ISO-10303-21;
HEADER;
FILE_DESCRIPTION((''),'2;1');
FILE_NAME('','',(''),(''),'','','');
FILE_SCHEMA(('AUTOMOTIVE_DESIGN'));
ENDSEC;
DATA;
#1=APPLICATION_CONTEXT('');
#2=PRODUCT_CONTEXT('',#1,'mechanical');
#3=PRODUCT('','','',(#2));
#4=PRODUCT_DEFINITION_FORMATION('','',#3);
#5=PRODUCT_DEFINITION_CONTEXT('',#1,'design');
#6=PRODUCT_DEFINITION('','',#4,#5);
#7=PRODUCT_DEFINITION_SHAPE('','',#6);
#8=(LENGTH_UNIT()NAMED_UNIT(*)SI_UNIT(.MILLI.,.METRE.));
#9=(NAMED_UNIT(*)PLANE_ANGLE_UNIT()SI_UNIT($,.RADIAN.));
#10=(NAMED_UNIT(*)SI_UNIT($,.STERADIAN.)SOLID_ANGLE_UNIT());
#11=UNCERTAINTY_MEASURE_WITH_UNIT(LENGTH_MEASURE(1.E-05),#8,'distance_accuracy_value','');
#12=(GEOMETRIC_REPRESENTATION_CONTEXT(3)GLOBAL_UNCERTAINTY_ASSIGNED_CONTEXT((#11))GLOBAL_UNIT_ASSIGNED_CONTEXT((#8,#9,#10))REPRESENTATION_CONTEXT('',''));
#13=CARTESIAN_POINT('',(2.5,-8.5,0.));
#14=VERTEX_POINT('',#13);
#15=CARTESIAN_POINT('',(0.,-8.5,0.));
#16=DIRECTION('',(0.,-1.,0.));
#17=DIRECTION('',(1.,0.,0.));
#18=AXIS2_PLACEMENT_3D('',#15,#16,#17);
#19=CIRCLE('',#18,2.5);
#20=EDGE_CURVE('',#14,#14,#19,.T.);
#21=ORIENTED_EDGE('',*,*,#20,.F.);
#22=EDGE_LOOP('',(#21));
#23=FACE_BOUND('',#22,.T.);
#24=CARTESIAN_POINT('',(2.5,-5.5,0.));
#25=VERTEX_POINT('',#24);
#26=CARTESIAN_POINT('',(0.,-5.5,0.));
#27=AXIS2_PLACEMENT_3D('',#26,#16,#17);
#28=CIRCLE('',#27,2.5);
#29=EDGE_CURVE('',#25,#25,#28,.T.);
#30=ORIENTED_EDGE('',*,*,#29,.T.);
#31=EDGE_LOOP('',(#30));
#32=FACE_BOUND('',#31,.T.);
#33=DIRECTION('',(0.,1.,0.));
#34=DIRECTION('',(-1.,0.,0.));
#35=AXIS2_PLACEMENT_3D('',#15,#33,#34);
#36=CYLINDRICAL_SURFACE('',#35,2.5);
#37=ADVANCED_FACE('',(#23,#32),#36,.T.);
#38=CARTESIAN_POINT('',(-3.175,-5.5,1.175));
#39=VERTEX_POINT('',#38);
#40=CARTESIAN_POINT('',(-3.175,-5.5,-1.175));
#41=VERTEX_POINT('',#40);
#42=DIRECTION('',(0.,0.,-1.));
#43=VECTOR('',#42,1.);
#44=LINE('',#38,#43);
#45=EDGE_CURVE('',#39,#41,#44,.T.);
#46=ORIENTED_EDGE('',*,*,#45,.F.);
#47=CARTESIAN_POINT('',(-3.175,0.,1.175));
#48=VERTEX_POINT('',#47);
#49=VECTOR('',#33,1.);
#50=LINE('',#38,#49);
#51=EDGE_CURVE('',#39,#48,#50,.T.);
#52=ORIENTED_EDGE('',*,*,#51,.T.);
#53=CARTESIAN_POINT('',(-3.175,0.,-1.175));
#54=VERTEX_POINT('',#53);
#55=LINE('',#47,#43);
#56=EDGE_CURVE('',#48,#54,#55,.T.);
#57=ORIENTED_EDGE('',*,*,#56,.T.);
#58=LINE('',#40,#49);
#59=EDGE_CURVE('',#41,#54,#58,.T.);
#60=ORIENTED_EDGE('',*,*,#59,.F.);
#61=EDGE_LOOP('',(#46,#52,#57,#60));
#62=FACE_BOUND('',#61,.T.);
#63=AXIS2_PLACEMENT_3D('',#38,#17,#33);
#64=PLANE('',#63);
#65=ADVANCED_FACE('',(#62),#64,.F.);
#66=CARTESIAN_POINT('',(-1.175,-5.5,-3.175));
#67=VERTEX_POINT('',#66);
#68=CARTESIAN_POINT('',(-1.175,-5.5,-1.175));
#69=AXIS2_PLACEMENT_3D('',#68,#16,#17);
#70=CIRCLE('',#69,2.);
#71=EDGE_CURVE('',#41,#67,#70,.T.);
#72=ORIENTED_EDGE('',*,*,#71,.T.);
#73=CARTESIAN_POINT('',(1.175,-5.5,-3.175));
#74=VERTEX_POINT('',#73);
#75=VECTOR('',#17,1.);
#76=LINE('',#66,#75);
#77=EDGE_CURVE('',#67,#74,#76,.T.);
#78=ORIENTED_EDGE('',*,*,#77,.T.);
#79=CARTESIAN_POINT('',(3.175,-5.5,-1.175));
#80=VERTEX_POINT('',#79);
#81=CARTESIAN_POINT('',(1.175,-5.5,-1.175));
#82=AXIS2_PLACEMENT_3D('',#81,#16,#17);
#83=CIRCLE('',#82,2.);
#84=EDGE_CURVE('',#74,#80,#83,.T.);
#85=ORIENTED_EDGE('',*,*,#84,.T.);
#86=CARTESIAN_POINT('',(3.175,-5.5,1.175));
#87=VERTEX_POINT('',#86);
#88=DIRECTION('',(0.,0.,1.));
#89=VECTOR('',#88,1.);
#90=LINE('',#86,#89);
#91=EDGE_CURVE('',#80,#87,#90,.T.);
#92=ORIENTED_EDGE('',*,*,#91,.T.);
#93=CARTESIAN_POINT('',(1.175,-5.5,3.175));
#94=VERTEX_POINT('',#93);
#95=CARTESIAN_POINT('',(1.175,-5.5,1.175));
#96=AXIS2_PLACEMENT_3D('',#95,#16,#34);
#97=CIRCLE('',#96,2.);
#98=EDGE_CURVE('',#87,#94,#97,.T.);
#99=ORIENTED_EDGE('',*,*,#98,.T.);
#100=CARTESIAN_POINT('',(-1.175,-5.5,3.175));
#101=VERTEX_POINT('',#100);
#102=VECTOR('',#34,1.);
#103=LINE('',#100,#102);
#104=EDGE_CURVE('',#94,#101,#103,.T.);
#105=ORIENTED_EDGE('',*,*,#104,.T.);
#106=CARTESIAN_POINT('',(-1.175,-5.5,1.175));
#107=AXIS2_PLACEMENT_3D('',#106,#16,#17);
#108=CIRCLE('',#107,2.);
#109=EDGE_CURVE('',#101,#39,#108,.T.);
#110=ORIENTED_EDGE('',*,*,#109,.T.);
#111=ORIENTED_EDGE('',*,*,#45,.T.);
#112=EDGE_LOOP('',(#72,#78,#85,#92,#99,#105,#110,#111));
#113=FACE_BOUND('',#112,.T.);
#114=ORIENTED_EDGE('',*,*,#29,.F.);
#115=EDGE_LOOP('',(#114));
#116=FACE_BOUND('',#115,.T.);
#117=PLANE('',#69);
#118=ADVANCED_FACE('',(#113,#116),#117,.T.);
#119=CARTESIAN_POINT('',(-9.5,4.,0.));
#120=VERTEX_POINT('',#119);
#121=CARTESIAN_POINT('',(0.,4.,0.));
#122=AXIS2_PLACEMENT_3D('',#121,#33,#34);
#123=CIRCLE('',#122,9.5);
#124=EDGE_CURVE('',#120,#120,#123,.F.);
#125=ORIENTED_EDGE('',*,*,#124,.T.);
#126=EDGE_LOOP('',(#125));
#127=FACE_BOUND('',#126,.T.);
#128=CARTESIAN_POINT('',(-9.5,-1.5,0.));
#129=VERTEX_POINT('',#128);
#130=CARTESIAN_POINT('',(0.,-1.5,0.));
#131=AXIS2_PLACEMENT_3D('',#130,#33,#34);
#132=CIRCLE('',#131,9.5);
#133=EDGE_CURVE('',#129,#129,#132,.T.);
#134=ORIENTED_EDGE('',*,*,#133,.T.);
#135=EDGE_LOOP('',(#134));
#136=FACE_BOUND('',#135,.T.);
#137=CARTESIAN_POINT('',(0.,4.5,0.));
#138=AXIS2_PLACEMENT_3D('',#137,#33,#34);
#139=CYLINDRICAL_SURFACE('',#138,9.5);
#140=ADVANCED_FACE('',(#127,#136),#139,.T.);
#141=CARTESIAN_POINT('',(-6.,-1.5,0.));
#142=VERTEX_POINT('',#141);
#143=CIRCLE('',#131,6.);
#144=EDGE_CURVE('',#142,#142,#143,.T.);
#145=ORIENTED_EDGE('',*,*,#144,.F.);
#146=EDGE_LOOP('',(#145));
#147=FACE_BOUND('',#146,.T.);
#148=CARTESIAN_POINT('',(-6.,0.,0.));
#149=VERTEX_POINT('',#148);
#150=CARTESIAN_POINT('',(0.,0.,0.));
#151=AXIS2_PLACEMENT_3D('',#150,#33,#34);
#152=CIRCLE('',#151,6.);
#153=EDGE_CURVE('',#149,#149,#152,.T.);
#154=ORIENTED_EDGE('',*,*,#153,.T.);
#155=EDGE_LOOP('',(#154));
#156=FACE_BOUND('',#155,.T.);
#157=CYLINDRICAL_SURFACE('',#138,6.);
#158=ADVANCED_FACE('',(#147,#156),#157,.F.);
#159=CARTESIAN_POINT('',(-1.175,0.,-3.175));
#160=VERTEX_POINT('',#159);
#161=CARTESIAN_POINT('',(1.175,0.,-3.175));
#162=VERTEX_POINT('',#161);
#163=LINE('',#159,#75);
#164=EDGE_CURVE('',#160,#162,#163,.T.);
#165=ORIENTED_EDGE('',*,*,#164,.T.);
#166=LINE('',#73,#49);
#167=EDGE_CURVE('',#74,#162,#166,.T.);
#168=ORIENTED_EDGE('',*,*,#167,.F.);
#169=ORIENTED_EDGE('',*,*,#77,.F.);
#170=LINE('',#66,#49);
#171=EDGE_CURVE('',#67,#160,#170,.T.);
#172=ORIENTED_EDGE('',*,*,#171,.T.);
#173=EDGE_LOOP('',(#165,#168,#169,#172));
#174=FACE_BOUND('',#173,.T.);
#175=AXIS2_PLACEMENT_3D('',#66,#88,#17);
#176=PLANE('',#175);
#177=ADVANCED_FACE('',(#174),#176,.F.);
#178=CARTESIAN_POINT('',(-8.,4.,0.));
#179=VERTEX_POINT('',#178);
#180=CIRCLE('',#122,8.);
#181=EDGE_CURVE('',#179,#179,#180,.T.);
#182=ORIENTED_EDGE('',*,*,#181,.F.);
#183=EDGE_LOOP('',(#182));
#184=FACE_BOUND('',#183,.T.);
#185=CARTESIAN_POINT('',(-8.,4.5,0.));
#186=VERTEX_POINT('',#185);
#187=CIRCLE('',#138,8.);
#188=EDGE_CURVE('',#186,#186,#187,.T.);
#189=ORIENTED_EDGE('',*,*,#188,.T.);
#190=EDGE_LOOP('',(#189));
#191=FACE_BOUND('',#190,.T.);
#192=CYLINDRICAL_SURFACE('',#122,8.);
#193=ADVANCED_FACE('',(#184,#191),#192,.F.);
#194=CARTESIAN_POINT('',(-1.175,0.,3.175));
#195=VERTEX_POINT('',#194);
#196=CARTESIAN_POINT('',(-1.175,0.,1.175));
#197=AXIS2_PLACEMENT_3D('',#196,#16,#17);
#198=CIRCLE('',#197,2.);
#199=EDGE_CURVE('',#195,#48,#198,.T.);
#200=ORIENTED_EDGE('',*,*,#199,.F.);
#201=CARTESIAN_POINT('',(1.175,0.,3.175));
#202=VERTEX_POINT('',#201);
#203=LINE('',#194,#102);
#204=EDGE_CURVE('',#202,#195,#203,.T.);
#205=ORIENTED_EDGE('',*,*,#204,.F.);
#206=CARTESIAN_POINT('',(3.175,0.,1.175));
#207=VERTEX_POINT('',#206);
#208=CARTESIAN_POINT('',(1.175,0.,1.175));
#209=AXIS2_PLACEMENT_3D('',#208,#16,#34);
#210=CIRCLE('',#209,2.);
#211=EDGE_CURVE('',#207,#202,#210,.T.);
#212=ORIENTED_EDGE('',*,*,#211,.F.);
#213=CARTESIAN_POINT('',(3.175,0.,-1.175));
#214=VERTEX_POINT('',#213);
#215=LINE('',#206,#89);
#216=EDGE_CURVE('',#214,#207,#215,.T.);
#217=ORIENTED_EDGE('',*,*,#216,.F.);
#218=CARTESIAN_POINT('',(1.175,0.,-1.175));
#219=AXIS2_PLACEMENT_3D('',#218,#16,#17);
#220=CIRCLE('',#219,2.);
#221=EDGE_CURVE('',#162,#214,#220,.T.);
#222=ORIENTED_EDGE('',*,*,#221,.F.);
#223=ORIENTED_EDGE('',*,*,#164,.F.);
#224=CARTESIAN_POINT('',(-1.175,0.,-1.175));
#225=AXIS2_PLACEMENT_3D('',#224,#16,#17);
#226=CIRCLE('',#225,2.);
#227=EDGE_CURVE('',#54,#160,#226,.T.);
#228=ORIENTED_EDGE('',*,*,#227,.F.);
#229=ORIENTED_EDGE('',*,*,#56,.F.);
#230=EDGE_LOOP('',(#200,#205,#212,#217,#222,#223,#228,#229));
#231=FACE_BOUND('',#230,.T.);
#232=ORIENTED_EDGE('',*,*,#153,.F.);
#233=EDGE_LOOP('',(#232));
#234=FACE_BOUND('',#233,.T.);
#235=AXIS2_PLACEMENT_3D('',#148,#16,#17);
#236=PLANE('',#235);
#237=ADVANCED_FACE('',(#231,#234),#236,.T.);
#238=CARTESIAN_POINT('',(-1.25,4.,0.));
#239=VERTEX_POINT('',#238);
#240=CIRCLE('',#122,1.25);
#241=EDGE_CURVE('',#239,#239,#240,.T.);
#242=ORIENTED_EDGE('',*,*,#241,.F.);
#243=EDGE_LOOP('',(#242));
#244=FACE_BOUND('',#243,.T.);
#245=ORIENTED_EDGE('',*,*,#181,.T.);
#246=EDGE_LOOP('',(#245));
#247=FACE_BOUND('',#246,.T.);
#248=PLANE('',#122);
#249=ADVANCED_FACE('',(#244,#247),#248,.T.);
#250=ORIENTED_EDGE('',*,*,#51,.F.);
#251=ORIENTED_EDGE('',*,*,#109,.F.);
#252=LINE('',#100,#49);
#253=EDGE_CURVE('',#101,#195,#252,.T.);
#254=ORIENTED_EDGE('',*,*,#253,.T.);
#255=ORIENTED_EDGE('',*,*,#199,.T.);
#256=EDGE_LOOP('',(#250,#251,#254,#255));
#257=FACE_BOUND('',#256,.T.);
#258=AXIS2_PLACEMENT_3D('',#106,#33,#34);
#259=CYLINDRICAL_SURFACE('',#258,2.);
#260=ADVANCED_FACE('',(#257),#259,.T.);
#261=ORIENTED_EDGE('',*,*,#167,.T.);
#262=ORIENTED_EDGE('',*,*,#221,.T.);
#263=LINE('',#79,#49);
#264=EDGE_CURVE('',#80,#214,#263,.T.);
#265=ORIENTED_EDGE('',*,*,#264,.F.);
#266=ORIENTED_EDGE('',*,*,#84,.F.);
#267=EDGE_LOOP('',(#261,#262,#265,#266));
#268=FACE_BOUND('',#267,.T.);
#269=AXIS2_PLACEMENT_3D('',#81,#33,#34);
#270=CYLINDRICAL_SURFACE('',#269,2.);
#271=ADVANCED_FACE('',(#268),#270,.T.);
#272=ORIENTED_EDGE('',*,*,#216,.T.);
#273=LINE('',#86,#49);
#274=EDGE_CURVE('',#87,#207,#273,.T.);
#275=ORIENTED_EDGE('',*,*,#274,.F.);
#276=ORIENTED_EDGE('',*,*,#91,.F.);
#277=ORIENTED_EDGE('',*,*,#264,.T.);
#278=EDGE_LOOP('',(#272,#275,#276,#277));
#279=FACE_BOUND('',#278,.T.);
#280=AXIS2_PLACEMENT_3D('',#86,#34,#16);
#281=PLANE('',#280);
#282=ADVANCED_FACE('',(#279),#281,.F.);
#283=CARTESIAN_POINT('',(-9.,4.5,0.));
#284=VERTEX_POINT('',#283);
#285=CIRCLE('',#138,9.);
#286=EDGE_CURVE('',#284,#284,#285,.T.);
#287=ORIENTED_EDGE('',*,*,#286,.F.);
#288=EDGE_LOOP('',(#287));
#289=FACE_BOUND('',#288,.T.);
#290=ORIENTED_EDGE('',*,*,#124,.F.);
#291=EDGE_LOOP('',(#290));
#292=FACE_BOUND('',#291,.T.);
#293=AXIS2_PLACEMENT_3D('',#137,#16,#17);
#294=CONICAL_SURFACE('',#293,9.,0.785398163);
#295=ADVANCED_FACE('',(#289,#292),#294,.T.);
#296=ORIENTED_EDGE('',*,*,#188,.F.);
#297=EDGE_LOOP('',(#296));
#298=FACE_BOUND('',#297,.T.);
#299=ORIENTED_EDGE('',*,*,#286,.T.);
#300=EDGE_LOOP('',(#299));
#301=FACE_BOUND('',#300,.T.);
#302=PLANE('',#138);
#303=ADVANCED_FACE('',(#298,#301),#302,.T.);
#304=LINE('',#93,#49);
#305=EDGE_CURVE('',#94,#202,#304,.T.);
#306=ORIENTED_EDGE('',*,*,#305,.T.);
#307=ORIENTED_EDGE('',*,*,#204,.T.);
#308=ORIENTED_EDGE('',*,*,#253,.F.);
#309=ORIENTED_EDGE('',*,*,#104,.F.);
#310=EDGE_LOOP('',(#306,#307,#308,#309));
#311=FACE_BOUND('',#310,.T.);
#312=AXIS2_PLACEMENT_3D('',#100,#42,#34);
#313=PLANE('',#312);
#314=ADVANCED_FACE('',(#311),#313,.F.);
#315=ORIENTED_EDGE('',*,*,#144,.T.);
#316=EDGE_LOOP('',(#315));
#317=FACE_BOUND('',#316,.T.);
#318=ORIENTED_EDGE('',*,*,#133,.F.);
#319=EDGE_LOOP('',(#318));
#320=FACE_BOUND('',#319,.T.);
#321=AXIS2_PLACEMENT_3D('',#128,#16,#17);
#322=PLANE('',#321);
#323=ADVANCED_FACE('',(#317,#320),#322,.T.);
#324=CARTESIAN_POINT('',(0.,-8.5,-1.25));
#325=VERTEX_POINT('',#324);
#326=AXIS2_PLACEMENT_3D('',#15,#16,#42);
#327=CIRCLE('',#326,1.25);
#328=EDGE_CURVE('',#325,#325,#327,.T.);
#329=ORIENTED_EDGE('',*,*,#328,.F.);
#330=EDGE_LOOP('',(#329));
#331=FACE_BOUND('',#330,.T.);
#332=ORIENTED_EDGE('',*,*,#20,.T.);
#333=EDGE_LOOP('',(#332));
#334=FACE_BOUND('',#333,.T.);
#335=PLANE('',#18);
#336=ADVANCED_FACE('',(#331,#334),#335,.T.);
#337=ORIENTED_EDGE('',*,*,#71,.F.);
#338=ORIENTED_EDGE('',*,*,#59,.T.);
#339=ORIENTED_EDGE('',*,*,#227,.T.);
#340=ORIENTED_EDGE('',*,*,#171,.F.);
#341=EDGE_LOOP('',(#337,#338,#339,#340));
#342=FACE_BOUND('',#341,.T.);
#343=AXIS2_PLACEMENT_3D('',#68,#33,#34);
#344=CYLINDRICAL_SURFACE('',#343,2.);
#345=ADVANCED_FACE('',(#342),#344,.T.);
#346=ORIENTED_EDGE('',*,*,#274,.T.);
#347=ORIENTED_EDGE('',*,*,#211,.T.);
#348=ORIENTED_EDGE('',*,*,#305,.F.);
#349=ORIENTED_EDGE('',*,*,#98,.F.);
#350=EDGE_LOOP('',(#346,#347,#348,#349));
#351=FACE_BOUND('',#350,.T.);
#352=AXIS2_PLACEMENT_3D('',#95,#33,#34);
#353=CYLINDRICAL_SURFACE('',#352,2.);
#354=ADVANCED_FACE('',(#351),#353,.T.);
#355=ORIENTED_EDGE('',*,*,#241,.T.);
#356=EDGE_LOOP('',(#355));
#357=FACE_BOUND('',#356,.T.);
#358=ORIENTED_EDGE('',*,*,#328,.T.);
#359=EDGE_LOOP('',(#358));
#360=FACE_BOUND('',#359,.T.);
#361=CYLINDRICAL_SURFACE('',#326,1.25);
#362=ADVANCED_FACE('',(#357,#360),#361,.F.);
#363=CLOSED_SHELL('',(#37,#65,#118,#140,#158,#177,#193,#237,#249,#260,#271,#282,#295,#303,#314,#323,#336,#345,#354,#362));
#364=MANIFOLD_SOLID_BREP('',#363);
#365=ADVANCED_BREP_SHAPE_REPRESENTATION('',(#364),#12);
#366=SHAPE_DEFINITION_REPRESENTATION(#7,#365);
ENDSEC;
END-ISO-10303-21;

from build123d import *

# Parameters (mm, degrees)
CHAMFER_1_SIZE         = 0.5
EXTRUDE_1649_DEPTH     = 5.5
SKETCH_6_R             = 8
CUT_EXTRUDE_1797_DEPTH = 0.5
SKETCH_9_R             = 2.5
EXTRUDE_1978_DEPTH     = 3
HOLE_WIZARD_M2_5_D     = 2.5


with BuildPart() as part:
    # Эскиз2 → Revolve 1260 (revolve)
    with BuildSketch(Plane.XY):
        Polygon((0, 4.5), (-9.5, 4.5), (-9.5, -1.5), (-6, -1.5), (-6, 0), (0, 0), align=None)
    revolve(axis=Axis((0, 4.5, 0), (0, -1, 0)))

    # Фаска1
    chamfer_1_edges = [part.edges().sort_by_distance(p)[0] for p in [
        (9.5, 4.5, 0),
    ]]
    chamfer(chamfer_1_edges, length=CHAMFER_1_SIZE)

    # Эскиз8 → Extrude 1649 (add)
    with BuildSketch(Plane.XZ):
        with BuildLine():
            Line((-1.175, 3.175), (1.175, 3.175))
            ThreePointArc((1.175, 3.175), (2.589213562, 2.589213562), (3.175, 1.175))
            Line((3.175, 1.175), (3.175, -1.175))
            ThreePointArc((3.175, -1.175), (2.589213562, -2.589213562), (1.175, -3.175))
            Line((1.175, -3.175), (-1.175, -3.175))
            ThreePointArc((-1.175, -3.175), (-2.589213562, -2.589213562), (-3.175, -1.175))
            Line((-3.175, -1.175), (-3.175, 1.175))
            ThreePointArc((-3.175, 1.175), (-2.589213562, 2.589213562), (-1.175, 3.175))
        make_face()
    extrude(amount=EXTRUDE_1649_DEPTH)

    # Эскиз6 → Cut-Extrude 1797 (cut)
    with BuildSketch(Plane(origin=(0, 4.5, 0), x_dir=(1, 0, 0), z_dir=(0, 1, 0))):
        with Locations(Location((0, 0, 0), (0, 0, 180))):
            Circle(SKETCH_6_R)
    extrude(amount=-CUT_EXTRUDE_1797_DEPTH, mode=Mode.SUBTRACT)

    # Эскиз9 → Extrude 1978 (add)
    with BuildSketch(Plane.XZ.offset(5.5)):
        Circle(SKETCH_9_R)
    extrude(amount=EXTRUDE_1978_DEPTH)

    # Отверстие M2,5 (through all)
    with Locations(Plane(origin=(0, -8.5, 0), x_dir=(-1, 0, 0), z_dir=(0, -1, 0))):
        with Locations((0, 0)):
            Hole(HOLE_WIZARD_M2_5_D / 2)


solid = part.part
